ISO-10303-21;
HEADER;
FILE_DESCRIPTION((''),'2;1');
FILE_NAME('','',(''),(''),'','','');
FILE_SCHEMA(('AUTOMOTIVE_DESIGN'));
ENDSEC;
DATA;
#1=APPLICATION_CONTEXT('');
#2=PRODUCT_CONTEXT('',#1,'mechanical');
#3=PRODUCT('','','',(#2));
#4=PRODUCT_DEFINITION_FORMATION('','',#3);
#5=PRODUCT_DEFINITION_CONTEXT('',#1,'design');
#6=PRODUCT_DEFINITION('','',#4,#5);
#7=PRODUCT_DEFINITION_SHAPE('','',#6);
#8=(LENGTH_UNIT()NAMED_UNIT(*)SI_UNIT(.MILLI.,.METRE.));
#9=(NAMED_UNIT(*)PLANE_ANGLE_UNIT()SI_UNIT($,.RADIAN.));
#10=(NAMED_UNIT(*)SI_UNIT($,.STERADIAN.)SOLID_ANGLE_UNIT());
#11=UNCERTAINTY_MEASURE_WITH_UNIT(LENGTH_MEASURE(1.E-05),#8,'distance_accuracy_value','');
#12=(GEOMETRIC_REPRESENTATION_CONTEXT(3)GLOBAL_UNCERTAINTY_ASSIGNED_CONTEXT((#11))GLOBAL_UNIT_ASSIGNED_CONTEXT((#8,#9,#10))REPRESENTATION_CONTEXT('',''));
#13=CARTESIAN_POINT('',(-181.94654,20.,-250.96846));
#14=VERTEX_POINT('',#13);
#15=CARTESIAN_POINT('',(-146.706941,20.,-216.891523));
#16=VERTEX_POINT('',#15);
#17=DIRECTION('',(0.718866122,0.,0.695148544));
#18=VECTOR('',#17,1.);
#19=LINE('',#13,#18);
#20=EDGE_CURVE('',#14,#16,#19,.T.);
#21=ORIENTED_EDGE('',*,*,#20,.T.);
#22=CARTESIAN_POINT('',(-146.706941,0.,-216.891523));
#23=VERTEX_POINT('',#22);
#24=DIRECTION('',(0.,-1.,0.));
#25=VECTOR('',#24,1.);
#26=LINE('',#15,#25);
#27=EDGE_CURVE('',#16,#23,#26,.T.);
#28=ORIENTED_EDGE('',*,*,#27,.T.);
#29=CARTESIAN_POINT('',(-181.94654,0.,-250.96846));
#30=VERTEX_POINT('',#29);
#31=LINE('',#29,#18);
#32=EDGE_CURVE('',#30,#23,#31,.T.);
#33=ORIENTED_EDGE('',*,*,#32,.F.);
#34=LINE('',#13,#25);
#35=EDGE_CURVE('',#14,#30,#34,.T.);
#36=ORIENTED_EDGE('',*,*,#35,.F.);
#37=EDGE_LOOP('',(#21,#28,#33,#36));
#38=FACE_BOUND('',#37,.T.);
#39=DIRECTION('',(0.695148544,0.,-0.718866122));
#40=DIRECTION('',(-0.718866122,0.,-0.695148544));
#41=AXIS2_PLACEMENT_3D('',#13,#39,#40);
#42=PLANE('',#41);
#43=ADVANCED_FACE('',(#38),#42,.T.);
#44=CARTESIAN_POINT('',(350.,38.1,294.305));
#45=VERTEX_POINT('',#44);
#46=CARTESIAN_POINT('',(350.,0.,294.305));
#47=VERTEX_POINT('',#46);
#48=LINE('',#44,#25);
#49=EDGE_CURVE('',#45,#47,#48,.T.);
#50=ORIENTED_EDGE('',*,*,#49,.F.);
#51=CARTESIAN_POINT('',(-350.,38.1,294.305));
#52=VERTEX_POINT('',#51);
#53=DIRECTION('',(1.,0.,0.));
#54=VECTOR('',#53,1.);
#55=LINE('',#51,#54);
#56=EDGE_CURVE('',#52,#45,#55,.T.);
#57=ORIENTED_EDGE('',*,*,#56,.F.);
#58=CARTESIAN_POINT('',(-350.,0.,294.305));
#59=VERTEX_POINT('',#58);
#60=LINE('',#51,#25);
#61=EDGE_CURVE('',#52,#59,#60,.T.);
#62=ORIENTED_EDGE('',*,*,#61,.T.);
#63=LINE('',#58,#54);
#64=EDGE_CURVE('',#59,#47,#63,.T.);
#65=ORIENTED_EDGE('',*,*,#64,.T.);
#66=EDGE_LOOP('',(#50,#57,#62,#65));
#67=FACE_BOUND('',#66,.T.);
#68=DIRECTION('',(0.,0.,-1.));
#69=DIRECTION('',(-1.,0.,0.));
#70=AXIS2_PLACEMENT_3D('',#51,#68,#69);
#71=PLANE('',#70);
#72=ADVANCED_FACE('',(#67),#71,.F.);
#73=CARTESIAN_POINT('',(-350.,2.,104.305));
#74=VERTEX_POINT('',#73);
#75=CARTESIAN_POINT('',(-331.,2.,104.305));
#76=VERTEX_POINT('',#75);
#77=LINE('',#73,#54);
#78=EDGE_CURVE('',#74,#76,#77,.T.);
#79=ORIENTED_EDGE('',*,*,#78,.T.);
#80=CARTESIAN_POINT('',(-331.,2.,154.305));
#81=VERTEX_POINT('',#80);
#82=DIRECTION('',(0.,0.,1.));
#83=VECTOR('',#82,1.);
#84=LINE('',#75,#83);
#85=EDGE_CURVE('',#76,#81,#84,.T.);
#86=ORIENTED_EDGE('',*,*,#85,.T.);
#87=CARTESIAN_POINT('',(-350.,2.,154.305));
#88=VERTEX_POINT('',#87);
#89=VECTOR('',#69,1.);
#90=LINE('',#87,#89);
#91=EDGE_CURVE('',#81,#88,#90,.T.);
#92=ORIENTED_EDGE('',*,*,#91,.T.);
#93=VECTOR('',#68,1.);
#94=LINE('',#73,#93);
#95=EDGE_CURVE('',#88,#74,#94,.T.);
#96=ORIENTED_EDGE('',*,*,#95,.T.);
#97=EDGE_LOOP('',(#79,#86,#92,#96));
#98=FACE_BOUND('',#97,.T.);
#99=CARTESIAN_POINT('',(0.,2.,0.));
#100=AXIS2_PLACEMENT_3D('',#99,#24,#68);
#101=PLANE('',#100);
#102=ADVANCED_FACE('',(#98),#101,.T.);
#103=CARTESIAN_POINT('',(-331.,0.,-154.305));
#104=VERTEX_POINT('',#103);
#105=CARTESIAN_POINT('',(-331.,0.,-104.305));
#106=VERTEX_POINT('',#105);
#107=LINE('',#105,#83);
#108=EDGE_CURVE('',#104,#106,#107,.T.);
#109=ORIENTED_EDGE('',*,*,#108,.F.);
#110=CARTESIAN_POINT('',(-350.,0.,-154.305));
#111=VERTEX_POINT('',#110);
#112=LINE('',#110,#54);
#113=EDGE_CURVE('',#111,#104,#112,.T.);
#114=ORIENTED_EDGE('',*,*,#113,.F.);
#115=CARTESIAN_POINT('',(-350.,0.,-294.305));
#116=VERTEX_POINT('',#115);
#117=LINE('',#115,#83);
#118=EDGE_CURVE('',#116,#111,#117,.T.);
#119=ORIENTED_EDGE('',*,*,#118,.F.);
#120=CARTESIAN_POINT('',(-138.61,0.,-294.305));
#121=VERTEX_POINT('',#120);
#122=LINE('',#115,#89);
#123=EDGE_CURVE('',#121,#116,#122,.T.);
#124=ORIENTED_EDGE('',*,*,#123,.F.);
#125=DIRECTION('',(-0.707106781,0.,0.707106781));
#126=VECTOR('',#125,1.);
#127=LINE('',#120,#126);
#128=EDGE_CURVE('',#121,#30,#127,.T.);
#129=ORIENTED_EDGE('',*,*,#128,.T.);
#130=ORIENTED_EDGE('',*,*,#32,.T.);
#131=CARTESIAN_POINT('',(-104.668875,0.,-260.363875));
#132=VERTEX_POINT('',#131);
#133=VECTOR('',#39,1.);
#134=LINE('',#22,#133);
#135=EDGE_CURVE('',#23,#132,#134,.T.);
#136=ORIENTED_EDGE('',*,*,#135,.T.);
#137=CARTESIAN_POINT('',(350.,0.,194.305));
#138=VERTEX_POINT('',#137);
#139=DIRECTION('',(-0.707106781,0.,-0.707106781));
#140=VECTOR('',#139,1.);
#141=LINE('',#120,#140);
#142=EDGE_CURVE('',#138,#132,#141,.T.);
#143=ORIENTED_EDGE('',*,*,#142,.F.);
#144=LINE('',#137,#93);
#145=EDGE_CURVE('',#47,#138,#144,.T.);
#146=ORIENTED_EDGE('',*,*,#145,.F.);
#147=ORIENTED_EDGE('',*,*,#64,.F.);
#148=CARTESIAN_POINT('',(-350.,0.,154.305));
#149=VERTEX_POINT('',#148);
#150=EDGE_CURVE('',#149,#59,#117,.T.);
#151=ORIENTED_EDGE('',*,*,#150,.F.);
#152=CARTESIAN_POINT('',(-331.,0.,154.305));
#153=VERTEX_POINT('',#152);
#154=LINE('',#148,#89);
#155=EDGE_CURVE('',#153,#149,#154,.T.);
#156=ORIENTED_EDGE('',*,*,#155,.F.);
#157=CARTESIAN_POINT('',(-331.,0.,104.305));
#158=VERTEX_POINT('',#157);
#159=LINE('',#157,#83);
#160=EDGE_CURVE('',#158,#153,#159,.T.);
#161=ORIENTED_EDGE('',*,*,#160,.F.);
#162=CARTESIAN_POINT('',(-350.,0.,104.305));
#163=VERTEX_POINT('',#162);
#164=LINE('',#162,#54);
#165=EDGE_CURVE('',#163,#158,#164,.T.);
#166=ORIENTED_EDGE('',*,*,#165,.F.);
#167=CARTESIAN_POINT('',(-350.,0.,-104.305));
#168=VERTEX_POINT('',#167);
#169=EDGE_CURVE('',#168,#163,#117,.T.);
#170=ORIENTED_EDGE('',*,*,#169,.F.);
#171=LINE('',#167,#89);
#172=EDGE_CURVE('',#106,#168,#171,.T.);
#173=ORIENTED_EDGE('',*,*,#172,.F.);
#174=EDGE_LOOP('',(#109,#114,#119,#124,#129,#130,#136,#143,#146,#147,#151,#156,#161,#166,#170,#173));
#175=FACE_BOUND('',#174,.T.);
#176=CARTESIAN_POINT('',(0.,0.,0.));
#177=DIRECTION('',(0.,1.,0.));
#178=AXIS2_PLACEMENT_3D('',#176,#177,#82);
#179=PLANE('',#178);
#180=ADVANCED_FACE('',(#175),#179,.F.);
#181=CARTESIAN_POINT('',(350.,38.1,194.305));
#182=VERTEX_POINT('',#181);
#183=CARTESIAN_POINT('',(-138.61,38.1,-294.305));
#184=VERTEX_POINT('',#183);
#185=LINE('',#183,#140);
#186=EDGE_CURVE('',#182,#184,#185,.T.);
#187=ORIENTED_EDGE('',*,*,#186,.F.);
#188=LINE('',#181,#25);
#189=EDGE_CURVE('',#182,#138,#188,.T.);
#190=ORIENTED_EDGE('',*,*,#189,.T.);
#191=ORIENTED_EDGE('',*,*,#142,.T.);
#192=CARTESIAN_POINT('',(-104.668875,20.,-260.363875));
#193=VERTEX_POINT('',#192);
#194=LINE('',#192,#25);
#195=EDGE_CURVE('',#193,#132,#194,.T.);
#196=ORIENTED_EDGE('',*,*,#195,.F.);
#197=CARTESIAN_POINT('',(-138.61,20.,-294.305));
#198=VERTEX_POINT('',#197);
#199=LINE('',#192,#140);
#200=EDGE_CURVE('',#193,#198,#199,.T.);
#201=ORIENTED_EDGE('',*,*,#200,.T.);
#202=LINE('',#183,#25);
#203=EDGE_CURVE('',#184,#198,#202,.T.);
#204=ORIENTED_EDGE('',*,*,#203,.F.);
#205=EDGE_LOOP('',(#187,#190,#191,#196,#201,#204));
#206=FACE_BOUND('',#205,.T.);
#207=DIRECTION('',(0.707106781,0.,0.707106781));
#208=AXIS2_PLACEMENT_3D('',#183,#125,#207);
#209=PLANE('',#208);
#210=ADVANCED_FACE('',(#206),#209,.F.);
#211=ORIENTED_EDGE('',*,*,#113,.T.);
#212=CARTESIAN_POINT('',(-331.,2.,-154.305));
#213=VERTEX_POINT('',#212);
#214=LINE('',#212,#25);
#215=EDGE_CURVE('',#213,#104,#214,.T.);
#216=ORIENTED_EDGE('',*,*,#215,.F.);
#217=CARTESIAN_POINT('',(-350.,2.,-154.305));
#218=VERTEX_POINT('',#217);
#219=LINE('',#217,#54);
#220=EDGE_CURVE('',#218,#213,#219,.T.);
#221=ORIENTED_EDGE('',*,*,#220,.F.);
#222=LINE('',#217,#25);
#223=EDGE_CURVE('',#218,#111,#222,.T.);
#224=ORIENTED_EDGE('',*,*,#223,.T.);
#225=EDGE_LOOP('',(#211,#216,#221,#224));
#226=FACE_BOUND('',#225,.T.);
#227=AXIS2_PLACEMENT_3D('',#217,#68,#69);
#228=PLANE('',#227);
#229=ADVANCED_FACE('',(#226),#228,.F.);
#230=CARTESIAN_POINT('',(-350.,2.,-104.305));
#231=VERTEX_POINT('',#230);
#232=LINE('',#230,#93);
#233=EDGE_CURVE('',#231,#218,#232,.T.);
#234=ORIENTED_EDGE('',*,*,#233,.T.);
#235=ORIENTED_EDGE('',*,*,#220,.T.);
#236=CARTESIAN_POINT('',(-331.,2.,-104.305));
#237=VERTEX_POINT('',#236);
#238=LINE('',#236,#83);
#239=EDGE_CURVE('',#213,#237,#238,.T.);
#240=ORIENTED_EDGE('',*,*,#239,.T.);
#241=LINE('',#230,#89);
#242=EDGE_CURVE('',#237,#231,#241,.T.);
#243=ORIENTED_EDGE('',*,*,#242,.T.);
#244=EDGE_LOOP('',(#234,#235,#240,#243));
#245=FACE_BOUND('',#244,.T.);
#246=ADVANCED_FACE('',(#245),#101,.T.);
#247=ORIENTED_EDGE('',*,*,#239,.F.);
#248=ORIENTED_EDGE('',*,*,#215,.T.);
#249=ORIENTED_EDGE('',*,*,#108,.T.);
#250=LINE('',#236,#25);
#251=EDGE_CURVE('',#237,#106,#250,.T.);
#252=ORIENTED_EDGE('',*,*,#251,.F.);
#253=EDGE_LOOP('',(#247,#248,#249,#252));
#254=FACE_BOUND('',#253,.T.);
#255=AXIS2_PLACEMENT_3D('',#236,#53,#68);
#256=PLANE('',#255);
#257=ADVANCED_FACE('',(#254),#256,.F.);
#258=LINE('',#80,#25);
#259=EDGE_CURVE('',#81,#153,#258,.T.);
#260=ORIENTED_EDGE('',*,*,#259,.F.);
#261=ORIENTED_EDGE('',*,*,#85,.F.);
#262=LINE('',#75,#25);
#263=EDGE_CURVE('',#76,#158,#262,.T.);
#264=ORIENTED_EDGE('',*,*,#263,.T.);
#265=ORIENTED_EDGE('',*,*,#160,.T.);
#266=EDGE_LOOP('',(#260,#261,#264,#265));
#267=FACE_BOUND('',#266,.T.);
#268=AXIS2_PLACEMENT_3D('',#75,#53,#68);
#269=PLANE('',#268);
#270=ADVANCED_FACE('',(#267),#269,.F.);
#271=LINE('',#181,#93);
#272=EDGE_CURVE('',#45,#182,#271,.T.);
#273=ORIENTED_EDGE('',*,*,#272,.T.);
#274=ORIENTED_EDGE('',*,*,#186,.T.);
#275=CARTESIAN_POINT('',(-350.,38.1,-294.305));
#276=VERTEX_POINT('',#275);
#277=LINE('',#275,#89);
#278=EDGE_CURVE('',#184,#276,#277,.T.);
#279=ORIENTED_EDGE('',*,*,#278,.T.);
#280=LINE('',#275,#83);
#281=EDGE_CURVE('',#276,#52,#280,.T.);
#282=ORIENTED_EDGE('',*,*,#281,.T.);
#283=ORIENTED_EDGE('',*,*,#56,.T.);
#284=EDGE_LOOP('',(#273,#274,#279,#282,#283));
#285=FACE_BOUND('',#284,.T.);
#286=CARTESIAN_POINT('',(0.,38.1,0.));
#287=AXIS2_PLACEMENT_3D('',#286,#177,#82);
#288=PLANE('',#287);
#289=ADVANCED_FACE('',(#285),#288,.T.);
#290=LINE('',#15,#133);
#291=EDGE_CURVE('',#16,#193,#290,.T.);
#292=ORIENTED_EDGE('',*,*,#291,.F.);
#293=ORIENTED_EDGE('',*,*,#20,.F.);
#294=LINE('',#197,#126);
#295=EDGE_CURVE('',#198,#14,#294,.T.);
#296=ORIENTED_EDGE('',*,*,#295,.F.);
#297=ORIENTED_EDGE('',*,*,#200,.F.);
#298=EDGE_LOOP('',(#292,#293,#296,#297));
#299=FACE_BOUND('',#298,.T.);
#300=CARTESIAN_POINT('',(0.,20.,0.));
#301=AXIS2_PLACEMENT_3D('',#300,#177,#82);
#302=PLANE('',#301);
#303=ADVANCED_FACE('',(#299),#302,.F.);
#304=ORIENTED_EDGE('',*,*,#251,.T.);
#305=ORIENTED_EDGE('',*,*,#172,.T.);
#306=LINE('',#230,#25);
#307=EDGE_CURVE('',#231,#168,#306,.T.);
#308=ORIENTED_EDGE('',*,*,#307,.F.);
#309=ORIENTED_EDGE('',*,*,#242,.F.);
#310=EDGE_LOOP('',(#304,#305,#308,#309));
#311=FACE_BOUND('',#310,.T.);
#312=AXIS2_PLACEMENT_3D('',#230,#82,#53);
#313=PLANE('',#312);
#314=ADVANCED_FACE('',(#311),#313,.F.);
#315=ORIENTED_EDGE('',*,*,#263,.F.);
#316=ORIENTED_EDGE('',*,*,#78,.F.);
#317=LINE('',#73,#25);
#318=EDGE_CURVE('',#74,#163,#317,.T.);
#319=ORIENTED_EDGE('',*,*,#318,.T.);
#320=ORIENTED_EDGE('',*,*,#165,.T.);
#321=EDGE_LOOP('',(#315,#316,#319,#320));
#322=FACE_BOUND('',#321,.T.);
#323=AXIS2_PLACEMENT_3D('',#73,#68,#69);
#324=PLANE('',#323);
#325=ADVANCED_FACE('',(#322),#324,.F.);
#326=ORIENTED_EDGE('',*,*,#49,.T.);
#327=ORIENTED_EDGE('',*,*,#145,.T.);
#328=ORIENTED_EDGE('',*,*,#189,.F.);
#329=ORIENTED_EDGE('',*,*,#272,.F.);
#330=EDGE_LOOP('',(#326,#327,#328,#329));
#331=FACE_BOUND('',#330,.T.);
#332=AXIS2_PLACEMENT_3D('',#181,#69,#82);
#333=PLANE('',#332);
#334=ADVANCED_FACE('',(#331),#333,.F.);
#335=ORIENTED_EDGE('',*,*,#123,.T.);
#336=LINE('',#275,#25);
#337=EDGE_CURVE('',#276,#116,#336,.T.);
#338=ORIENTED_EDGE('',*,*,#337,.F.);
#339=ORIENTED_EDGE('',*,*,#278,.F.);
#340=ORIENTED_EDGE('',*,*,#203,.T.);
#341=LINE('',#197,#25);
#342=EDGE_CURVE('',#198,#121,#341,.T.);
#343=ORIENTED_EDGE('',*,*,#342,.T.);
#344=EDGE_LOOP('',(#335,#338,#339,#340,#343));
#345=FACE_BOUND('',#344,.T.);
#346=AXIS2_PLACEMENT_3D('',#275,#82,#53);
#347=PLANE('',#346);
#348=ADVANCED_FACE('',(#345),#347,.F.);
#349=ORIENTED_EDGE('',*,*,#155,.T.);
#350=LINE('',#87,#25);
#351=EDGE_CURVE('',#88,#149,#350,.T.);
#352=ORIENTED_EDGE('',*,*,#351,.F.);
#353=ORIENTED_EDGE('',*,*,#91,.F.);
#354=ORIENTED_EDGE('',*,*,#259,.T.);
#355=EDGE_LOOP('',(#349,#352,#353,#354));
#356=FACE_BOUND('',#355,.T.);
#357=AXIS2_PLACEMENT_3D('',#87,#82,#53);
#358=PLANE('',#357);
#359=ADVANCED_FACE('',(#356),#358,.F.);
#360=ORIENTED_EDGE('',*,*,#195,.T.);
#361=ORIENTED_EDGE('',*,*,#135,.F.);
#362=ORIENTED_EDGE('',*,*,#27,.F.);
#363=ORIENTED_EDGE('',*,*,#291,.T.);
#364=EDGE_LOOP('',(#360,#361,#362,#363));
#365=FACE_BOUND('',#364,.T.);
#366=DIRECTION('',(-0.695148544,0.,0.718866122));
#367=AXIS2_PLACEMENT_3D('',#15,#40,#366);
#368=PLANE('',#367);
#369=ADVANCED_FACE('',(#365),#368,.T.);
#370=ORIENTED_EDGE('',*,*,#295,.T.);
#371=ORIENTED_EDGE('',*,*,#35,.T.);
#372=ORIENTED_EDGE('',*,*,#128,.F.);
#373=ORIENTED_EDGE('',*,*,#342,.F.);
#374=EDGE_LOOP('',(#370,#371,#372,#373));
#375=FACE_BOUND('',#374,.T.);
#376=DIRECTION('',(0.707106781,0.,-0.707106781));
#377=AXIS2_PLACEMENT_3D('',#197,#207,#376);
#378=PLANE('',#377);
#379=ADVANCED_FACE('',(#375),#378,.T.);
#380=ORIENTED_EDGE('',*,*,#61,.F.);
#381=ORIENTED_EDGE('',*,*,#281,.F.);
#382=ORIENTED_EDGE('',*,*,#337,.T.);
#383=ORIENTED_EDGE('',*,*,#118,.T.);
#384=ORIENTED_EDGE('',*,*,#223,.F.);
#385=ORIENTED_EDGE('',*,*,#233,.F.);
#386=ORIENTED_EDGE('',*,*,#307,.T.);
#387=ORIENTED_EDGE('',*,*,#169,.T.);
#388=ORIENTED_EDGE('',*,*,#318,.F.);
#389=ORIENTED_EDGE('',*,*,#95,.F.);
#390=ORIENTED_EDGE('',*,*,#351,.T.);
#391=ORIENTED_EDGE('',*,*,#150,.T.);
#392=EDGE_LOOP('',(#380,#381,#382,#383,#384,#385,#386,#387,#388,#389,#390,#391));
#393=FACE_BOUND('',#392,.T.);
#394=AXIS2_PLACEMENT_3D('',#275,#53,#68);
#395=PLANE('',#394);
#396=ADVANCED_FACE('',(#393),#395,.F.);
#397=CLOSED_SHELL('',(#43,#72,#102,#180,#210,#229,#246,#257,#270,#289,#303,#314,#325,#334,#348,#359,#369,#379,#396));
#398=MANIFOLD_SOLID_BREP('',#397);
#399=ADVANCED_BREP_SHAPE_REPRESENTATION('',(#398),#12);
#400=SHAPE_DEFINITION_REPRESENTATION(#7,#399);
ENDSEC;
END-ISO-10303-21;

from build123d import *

# Parameters (mm, degrees)
BOSS_EXTRUDE1_DEPTH = 38.1
SKETCH2_W           = 19
SKETCH2_H           = 50
CUT_EXTRUDE1_DEPTH  = 2
CUT_EXTRUDE2_DEPTH  = 20


with BuildPart() as part:
    # Sketch1 → Boss-Extrude1 (new body)
    with BuildSketch(Plane(origin=(0, 0, 0), x_dir=(1, 0, 0), z_dir=(0, 1, 0))):
        Polygon((-138.61, 294.305), (350, -194.305), (350, -294.305), (-350, -294.305), (-350, 294.305), align=None)
    extrude(amount=BOSS_EXTRUDE1_DEPTH)

    # Sketch2 → Cut-Extrude1 (cut)
    with BuildSketch(Plane.XZ):
        with Locations((-340.5, -129.305)):
            Rectangle(SKETCH2_W, SKETCH2_H)
        with Locations((-340.5, 129.305)):
            Rectangle(SKETCH2_W, SKETCH2_H)
    extrude(amount=-CUT_EXTRUDE1_DEPTH, mode=Mode.SUBTRACT)

    # Sketch3 → Cut-Extrude2 (cut)
    with BuildSketch(Plane(origin=(0, 0, 0), x_dir=(1, 0, 0), z_dir=(0, 1, 0))):
        Polygon((-138.61, 294.305), (-181.946540118, 250.968459882), (-146.706941406, 216.891522613), (-104.668874503, 260.363874503), align=None)
    extrude(amount=CUT_EXTRUDE2_DEPTH, mode=Mode.SUBTRACT)


solid = part.part
